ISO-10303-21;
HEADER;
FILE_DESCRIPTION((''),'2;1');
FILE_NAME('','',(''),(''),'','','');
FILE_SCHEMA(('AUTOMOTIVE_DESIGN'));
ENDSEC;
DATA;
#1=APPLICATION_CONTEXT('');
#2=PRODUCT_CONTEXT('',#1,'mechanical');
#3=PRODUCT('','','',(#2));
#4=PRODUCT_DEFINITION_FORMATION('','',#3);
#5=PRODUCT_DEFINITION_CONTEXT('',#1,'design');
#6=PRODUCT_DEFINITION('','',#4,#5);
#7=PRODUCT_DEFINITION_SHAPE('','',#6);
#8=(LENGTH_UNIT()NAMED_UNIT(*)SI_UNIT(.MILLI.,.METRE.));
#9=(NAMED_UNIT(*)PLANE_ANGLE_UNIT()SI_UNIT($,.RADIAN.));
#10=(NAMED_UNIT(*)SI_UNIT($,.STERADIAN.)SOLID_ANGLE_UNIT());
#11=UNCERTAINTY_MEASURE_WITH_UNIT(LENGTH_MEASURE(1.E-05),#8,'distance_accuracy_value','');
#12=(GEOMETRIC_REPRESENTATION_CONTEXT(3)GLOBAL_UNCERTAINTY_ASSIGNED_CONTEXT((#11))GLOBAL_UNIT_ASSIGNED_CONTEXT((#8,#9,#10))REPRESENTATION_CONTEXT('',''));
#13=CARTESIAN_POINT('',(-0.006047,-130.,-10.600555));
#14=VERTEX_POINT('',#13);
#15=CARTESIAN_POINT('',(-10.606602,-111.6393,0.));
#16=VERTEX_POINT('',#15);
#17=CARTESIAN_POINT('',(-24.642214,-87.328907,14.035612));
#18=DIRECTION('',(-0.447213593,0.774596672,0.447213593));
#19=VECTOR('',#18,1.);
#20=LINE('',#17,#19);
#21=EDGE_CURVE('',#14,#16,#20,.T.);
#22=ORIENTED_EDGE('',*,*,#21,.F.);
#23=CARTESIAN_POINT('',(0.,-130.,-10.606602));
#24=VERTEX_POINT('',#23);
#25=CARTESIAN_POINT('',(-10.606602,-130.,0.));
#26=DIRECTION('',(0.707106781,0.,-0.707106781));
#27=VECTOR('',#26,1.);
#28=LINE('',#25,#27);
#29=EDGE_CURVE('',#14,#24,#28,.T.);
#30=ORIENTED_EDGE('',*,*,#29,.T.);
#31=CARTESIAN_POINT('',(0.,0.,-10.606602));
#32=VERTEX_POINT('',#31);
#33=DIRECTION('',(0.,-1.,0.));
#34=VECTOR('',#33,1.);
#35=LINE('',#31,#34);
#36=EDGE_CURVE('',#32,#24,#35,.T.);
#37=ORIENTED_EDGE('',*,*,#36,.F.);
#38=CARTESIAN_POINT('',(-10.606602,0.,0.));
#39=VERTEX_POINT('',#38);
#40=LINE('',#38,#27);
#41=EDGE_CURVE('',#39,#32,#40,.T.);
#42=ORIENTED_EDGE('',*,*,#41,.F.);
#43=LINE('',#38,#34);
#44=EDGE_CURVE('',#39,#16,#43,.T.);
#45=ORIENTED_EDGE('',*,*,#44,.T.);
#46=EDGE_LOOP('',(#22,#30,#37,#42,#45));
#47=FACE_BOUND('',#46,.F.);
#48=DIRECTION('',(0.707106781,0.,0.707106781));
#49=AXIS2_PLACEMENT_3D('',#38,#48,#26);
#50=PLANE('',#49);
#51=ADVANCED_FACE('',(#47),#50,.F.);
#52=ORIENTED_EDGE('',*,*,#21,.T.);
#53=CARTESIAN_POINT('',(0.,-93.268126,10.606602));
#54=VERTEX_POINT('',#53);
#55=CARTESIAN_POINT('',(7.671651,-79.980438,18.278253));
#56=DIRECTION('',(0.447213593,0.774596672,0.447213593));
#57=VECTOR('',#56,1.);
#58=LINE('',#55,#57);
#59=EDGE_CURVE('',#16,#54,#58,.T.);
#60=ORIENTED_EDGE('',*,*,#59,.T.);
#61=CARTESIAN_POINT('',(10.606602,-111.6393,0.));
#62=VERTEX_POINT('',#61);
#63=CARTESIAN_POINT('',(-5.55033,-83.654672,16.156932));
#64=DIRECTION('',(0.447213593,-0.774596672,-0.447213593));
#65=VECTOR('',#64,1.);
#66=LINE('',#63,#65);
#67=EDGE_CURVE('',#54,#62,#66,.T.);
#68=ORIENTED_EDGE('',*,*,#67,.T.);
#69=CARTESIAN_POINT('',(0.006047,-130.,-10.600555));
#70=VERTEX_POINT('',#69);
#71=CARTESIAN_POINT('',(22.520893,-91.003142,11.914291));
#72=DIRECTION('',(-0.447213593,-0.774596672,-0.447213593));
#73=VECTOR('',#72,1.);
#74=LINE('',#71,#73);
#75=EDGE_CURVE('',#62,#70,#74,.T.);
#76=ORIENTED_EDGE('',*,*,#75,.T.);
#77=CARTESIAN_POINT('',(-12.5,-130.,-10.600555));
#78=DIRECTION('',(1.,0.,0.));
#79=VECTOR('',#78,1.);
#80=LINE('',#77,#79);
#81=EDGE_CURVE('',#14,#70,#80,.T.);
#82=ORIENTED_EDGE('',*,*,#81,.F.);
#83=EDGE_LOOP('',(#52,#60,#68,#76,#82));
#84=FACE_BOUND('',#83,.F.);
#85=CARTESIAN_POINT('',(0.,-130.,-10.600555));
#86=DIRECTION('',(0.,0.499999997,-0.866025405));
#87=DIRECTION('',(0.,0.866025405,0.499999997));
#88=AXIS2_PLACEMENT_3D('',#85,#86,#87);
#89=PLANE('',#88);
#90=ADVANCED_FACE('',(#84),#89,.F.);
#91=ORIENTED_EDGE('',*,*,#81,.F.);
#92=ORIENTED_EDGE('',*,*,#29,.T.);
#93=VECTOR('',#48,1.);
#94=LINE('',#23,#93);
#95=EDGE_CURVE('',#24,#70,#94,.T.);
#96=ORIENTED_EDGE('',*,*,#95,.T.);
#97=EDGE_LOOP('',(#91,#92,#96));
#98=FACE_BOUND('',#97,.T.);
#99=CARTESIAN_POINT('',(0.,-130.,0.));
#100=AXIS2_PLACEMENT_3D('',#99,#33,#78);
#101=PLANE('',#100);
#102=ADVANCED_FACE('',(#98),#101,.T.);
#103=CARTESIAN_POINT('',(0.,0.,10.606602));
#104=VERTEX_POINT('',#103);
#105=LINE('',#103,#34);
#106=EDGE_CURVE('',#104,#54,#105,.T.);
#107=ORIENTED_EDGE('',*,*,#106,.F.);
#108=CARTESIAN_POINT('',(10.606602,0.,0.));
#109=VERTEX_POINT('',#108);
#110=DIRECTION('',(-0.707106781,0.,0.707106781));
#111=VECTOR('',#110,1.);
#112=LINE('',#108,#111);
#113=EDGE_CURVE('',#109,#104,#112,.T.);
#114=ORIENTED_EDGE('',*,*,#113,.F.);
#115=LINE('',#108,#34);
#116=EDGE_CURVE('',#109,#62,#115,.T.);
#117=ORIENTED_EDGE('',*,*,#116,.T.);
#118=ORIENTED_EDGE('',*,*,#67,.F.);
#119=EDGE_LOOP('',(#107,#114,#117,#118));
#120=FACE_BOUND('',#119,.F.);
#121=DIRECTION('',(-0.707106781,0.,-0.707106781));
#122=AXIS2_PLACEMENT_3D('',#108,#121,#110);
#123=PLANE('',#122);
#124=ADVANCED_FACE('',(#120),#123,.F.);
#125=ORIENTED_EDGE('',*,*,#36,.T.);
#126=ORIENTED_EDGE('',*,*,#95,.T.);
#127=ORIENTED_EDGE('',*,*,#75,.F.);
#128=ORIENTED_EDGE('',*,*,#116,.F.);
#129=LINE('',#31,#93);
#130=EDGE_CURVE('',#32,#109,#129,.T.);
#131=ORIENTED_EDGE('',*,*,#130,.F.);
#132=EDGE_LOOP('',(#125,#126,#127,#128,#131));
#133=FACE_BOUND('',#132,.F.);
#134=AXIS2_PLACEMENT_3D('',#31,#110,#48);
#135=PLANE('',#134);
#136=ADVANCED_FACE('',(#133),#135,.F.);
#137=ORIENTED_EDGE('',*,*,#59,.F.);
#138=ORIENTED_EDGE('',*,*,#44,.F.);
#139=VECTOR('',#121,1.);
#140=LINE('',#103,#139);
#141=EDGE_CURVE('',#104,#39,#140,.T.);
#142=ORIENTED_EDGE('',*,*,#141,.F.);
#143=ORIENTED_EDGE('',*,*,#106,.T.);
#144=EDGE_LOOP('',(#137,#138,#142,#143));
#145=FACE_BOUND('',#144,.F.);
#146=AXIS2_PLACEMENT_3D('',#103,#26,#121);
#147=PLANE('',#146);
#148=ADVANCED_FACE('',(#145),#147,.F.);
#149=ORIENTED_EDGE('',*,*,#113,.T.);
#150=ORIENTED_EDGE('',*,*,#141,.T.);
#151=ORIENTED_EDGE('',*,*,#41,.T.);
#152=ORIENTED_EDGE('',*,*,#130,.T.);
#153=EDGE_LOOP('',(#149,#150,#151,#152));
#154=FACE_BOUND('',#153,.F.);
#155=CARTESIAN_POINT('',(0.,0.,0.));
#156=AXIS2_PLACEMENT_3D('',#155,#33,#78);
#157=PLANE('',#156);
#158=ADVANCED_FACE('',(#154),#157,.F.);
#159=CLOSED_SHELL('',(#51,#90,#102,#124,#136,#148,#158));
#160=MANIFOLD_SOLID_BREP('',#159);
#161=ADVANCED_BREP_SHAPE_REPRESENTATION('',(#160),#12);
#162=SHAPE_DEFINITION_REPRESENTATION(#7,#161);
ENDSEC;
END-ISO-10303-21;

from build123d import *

# Parameters (mm, degrees)
F1_DEPTH = 130
F3_DEPTH = 12.5


with BuildPart() as f1:
    # F0 (on Front) → F1 (new body)
    with BuildSketch(Plane.XZ):
        Polygon((0, 10.606602), (-10.606602, 0), (0, -10.606602), (10.606602, 0), align=None)
    extrude(amount=F1_DEPTH)

    # F2 (on Right) → F3 (cut, symmetric)
    with BuildSketch(Plane.YZ):
        Polygon((-130, 10.815689), (-130, -10.600555), (-92.905977, 10.815689), align=None)
    extrude(amount=F3_DEPTH, both=True, mode=Mode.SUBTRACT)


solid = f1.part
